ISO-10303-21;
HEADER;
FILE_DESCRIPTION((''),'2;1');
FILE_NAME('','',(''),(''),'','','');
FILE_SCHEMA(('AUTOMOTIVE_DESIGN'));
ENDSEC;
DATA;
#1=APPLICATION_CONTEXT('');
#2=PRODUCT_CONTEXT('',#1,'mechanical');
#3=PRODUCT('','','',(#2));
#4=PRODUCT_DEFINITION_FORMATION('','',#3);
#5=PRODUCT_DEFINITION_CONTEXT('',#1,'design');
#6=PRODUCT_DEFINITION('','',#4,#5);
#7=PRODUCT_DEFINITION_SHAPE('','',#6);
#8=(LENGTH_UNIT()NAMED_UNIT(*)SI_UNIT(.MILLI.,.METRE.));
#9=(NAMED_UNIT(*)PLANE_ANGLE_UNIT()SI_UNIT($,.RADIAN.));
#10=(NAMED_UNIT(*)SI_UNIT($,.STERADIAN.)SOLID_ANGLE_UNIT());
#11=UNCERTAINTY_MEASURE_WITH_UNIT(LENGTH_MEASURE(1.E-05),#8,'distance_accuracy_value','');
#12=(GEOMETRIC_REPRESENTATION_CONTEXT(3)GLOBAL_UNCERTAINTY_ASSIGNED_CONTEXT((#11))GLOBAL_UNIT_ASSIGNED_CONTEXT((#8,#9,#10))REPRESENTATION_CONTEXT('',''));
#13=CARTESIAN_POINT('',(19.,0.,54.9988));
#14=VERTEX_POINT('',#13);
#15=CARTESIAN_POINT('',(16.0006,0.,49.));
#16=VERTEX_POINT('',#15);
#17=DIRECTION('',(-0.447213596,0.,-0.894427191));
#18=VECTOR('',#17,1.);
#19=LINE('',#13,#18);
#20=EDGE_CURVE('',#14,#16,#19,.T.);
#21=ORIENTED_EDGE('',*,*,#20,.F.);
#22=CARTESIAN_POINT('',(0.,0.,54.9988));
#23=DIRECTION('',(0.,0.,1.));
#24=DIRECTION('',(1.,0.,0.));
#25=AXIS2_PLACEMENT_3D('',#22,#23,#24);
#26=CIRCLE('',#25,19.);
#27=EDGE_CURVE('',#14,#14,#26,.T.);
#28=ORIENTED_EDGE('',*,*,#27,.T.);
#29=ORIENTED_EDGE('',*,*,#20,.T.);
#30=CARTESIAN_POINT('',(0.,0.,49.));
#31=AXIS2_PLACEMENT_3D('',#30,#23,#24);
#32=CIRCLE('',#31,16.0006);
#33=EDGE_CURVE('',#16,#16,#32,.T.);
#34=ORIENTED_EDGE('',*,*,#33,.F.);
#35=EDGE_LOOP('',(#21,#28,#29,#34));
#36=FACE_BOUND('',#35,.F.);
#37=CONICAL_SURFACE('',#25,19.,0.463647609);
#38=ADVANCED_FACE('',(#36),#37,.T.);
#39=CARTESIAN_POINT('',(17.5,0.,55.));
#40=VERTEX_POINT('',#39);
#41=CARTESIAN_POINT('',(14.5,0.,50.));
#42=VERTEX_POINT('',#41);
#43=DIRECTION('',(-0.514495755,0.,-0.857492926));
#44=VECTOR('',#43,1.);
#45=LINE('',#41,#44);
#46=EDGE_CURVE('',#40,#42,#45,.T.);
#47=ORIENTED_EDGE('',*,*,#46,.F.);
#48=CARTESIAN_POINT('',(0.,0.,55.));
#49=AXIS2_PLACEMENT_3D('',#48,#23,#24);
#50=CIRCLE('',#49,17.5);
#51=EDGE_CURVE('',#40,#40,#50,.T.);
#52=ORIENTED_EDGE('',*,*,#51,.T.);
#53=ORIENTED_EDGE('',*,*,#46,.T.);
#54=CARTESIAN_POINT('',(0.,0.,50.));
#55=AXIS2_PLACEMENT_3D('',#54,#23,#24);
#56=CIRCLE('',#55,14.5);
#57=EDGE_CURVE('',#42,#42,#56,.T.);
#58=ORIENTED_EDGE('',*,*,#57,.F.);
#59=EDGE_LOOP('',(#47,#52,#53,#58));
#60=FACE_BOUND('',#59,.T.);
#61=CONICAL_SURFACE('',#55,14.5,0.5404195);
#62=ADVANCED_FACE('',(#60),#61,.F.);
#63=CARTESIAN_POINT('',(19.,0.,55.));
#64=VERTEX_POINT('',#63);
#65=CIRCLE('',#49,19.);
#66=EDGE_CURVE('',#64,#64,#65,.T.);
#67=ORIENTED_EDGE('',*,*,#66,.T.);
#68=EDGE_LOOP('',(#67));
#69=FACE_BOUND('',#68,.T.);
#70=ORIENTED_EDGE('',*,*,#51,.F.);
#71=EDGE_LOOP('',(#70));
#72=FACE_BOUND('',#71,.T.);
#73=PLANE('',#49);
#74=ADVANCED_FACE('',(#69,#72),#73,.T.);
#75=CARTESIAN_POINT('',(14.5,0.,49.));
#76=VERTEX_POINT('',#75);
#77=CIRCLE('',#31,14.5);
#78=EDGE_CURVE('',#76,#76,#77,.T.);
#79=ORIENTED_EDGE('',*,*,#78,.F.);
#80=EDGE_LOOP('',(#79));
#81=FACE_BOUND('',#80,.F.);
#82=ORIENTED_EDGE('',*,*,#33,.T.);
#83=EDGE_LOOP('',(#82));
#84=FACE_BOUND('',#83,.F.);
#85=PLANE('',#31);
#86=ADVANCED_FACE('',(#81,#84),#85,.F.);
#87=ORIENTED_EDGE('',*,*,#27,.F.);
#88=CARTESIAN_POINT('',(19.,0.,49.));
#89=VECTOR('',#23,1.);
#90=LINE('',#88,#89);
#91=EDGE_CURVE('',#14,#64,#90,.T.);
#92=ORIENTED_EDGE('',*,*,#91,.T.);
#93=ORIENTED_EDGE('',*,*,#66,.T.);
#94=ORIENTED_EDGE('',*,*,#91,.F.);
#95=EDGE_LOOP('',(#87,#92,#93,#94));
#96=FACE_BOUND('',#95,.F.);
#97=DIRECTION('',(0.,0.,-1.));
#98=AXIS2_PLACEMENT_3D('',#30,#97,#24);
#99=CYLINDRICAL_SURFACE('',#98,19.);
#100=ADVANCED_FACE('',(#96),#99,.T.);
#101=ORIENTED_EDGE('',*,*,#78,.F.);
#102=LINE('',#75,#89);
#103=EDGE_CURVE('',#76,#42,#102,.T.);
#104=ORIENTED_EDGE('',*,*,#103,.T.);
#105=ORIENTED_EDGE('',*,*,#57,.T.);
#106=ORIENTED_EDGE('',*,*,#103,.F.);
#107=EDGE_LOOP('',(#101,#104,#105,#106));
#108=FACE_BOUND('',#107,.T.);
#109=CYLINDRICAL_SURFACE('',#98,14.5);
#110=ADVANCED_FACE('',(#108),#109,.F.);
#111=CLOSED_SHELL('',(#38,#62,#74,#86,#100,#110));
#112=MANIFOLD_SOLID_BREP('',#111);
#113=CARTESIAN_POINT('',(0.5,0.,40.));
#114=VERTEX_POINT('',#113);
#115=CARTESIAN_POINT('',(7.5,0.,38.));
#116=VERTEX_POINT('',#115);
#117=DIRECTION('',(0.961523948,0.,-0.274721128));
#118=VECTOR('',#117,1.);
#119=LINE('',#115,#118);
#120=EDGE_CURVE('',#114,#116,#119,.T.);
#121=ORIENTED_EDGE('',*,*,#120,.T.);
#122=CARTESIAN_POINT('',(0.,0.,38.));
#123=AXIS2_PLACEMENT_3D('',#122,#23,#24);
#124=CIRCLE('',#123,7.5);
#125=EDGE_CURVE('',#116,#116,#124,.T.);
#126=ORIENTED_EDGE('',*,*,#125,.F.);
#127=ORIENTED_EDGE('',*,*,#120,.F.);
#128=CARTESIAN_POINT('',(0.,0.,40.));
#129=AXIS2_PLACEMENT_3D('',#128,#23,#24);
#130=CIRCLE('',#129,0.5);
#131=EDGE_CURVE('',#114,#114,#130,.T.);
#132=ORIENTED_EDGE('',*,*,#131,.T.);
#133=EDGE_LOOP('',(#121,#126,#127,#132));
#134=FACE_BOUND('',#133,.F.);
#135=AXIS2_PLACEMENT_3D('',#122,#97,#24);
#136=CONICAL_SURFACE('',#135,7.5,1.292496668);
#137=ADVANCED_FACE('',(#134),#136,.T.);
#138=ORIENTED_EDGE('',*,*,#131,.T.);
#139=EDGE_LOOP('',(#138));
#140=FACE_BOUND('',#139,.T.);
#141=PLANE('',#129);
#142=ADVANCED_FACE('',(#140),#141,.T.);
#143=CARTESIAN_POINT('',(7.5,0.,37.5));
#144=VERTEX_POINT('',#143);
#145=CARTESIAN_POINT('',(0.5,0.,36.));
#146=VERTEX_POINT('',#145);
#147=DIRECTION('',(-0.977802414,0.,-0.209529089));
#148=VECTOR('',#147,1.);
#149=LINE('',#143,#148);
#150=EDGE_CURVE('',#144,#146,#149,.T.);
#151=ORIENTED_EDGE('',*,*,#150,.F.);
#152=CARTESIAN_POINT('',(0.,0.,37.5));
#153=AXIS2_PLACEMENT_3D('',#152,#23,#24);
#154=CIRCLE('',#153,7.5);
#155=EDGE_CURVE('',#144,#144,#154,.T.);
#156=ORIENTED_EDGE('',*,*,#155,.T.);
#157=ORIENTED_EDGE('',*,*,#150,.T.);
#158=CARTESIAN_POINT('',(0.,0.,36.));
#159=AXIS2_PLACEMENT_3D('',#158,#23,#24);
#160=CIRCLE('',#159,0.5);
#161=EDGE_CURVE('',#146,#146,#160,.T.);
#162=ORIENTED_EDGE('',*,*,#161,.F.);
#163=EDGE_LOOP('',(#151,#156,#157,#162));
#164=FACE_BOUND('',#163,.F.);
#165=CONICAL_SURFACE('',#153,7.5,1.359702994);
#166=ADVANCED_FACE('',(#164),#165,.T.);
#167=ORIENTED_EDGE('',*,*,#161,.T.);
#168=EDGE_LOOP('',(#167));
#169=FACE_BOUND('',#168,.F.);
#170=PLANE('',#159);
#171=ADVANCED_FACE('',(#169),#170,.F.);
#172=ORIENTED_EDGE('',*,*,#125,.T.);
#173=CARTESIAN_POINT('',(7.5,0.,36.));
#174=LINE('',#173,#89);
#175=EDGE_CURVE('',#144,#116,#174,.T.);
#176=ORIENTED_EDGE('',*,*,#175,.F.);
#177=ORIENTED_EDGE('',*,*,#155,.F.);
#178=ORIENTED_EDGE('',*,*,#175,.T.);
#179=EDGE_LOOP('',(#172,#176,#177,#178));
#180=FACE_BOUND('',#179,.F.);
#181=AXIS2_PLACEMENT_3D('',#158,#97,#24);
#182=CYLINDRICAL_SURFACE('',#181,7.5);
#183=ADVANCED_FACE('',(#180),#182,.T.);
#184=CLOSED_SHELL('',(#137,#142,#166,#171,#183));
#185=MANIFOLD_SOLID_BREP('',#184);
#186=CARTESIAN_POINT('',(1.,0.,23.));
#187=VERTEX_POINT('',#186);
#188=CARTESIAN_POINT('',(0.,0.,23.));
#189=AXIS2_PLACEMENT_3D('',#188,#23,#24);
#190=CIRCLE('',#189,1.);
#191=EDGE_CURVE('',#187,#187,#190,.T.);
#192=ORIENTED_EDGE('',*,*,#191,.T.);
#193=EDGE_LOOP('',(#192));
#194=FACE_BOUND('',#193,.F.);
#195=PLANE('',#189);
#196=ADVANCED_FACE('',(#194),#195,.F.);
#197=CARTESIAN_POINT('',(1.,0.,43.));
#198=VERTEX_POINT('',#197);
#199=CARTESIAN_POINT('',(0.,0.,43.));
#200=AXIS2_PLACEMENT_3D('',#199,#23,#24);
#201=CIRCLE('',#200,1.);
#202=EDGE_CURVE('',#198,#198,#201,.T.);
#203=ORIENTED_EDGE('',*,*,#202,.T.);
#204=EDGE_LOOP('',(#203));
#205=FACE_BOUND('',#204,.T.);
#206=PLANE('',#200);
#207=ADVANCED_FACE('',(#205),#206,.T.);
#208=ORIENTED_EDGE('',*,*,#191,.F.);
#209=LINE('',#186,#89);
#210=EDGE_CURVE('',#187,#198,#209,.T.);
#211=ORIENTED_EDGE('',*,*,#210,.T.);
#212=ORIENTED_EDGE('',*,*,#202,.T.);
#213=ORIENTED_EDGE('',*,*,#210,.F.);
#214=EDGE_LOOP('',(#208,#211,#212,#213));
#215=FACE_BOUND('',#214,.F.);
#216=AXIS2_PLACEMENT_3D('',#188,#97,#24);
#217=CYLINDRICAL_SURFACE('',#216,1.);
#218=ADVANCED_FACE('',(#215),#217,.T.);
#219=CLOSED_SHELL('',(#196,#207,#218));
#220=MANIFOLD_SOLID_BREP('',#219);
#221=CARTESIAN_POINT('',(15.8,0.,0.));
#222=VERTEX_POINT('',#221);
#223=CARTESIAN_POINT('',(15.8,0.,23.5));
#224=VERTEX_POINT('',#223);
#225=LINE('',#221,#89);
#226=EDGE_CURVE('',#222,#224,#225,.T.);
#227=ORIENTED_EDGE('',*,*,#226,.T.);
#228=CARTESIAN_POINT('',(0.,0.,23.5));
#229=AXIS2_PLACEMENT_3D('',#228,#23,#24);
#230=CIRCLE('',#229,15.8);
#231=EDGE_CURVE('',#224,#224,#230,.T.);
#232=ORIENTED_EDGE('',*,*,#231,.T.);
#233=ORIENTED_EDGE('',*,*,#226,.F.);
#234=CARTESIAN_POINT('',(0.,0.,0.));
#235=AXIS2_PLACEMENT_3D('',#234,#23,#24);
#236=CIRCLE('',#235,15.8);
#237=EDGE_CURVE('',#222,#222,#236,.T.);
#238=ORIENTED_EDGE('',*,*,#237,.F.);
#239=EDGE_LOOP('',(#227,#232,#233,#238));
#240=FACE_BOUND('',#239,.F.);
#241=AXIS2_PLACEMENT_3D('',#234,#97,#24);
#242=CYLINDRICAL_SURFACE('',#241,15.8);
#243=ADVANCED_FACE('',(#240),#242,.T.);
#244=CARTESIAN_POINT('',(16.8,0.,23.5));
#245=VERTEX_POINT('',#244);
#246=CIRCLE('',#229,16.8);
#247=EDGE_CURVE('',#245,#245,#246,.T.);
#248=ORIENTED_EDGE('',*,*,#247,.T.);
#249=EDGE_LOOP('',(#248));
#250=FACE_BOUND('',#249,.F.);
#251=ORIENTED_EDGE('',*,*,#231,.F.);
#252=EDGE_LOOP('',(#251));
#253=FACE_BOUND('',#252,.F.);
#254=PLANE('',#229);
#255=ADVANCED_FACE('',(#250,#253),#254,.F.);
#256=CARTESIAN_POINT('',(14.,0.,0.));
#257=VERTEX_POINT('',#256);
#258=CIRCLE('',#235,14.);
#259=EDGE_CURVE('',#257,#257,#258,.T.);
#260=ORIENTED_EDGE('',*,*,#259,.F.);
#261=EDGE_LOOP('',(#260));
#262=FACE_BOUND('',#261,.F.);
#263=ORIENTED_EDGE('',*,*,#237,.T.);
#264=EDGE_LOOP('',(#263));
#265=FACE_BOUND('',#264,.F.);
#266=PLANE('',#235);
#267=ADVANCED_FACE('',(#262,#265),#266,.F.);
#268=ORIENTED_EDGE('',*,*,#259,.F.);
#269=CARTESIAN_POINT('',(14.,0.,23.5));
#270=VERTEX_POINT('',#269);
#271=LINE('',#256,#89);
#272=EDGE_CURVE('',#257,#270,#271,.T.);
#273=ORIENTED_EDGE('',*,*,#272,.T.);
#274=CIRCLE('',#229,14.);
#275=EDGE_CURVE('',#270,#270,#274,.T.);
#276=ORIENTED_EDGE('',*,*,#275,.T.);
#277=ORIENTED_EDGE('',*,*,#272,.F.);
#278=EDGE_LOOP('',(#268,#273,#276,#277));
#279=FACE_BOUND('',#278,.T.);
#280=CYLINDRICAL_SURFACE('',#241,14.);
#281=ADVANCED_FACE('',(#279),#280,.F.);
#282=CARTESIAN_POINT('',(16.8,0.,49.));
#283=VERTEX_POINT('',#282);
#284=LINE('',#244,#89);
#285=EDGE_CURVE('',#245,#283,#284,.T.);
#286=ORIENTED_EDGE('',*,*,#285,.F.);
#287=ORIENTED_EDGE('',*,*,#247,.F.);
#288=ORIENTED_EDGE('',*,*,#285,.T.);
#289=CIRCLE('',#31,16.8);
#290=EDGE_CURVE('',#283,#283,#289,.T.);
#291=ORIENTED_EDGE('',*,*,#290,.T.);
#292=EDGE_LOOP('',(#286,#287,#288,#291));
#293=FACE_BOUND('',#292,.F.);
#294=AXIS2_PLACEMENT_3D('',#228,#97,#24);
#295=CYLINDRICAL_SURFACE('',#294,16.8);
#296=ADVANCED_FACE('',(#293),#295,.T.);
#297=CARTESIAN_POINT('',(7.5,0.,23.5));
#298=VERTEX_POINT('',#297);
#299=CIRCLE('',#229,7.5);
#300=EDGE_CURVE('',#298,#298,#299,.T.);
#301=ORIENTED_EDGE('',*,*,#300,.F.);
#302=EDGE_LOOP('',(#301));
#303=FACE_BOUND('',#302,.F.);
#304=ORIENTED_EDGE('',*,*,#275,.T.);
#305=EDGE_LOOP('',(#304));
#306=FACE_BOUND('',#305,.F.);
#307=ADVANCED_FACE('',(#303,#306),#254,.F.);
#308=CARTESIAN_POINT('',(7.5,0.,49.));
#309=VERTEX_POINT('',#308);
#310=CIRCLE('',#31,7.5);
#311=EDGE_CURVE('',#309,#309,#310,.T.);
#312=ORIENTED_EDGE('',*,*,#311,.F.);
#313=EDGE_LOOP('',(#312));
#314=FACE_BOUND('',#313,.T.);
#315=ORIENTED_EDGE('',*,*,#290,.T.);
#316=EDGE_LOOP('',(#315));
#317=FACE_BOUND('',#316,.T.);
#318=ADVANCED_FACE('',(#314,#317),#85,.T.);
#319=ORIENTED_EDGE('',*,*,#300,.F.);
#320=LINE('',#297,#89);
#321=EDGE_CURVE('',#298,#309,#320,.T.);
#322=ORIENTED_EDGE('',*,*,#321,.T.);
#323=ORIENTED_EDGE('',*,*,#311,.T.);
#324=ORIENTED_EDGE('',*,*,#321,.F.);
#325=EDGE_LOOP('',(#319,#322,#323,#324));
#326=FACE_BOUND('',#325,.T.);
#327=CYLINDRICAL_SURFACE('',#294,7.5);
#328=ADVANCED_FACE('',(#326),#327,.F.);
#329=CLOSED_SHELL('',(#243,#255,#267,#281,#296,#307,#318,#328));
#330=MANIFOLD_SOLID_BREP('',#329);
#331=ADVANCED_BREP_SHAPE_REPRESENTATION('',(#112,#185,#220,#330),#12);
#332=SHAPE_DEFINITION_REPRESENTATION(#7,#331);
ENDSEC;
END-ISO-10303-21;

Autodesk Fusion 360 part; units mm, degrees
sketch "Esquisse1" plane through (0, 0, 0) normal (0, 0, 1) x (1, 0, 0)
  circle A0 centre (0, 0) radius 15.8
  circle A1 centre (0, 0) radius 16.8
  circle A2 centre (0, 0) radius 14
  circle A3 centre (0, 0) radius 7.5
  circle A4 centre (0, 0) radius 1
  dimension "d1" = 31.6
  dimension "d2" = 33.6
  dimension "d3" = 28
  dimension "d10" = 15
  dimension "d11" = 2
extrude "Extrusion1" add sketch "Esquisse1" along normal blind 23.5 contours A0 makes body 1
extrude "Extrusion2" add sketch "Esquisse1" along normal blind 49 and the other way blind -23.5 contours A0 | A1 | A2 bodies 1
extrude "Extrusion4" add sketch "Esquisse1" along normal blind 40 and the other way blind -36 separate body contours A3 | A4 makes body 2
chamfer "Chanfrein1" distance 7 distance2 2 1 edges at (-6.9925, -2.7121, 40) measured on face at (1.9158, 2.8099, 40) on bodies 2
chamfer "Chanfrein2" distance 1.5 distance2 7 1 edges at (-6.9925, -2.7121, 36) measured on face at (7.4627, -0.7468, 36.6667) on bodies 2
extrude "Extrusion3" add sketch "Esquisse1" along normal blind 43 and the other way blind -23 separate body contours A4 makes body 3
sketch "Esquisse1 (2)" plane through (0, 0, 0) normal (0, 0, 1) x (1, 0, 0) in component "cahoutchouc"
  circle A0 centre (0, 0) radius 14.5
  circle A1 centre (0, 0) radius 19
  dimension "d24" = 29
  dimension "d25" = 38
extrude "Extrusion1'" add sketch "Esquisse1 (2)" along normal blind 6 separate body makes body 4 in component "cahoutchouc"
chamfer "Chanfrein1'" distance 3 distance2 5 1 edges at (-13.5187, 5.2434, 6) measured on face at (17.3753, -1.6643, 6) on bodies 4 in component "cahoutchouc"
chamfer "Chanfrein2'" distance 6 distance2 3 1 edges at (-17.7142, -6.8707, 0) measured on face at (18.9764, -0.9471, 4) on bodies 4 in component "cahoutchouc"
component "cahoutchouc" placed x (1, 0, 0) y (0, 1, 0) z (0, 0, 1) at (0, 0, 49)
